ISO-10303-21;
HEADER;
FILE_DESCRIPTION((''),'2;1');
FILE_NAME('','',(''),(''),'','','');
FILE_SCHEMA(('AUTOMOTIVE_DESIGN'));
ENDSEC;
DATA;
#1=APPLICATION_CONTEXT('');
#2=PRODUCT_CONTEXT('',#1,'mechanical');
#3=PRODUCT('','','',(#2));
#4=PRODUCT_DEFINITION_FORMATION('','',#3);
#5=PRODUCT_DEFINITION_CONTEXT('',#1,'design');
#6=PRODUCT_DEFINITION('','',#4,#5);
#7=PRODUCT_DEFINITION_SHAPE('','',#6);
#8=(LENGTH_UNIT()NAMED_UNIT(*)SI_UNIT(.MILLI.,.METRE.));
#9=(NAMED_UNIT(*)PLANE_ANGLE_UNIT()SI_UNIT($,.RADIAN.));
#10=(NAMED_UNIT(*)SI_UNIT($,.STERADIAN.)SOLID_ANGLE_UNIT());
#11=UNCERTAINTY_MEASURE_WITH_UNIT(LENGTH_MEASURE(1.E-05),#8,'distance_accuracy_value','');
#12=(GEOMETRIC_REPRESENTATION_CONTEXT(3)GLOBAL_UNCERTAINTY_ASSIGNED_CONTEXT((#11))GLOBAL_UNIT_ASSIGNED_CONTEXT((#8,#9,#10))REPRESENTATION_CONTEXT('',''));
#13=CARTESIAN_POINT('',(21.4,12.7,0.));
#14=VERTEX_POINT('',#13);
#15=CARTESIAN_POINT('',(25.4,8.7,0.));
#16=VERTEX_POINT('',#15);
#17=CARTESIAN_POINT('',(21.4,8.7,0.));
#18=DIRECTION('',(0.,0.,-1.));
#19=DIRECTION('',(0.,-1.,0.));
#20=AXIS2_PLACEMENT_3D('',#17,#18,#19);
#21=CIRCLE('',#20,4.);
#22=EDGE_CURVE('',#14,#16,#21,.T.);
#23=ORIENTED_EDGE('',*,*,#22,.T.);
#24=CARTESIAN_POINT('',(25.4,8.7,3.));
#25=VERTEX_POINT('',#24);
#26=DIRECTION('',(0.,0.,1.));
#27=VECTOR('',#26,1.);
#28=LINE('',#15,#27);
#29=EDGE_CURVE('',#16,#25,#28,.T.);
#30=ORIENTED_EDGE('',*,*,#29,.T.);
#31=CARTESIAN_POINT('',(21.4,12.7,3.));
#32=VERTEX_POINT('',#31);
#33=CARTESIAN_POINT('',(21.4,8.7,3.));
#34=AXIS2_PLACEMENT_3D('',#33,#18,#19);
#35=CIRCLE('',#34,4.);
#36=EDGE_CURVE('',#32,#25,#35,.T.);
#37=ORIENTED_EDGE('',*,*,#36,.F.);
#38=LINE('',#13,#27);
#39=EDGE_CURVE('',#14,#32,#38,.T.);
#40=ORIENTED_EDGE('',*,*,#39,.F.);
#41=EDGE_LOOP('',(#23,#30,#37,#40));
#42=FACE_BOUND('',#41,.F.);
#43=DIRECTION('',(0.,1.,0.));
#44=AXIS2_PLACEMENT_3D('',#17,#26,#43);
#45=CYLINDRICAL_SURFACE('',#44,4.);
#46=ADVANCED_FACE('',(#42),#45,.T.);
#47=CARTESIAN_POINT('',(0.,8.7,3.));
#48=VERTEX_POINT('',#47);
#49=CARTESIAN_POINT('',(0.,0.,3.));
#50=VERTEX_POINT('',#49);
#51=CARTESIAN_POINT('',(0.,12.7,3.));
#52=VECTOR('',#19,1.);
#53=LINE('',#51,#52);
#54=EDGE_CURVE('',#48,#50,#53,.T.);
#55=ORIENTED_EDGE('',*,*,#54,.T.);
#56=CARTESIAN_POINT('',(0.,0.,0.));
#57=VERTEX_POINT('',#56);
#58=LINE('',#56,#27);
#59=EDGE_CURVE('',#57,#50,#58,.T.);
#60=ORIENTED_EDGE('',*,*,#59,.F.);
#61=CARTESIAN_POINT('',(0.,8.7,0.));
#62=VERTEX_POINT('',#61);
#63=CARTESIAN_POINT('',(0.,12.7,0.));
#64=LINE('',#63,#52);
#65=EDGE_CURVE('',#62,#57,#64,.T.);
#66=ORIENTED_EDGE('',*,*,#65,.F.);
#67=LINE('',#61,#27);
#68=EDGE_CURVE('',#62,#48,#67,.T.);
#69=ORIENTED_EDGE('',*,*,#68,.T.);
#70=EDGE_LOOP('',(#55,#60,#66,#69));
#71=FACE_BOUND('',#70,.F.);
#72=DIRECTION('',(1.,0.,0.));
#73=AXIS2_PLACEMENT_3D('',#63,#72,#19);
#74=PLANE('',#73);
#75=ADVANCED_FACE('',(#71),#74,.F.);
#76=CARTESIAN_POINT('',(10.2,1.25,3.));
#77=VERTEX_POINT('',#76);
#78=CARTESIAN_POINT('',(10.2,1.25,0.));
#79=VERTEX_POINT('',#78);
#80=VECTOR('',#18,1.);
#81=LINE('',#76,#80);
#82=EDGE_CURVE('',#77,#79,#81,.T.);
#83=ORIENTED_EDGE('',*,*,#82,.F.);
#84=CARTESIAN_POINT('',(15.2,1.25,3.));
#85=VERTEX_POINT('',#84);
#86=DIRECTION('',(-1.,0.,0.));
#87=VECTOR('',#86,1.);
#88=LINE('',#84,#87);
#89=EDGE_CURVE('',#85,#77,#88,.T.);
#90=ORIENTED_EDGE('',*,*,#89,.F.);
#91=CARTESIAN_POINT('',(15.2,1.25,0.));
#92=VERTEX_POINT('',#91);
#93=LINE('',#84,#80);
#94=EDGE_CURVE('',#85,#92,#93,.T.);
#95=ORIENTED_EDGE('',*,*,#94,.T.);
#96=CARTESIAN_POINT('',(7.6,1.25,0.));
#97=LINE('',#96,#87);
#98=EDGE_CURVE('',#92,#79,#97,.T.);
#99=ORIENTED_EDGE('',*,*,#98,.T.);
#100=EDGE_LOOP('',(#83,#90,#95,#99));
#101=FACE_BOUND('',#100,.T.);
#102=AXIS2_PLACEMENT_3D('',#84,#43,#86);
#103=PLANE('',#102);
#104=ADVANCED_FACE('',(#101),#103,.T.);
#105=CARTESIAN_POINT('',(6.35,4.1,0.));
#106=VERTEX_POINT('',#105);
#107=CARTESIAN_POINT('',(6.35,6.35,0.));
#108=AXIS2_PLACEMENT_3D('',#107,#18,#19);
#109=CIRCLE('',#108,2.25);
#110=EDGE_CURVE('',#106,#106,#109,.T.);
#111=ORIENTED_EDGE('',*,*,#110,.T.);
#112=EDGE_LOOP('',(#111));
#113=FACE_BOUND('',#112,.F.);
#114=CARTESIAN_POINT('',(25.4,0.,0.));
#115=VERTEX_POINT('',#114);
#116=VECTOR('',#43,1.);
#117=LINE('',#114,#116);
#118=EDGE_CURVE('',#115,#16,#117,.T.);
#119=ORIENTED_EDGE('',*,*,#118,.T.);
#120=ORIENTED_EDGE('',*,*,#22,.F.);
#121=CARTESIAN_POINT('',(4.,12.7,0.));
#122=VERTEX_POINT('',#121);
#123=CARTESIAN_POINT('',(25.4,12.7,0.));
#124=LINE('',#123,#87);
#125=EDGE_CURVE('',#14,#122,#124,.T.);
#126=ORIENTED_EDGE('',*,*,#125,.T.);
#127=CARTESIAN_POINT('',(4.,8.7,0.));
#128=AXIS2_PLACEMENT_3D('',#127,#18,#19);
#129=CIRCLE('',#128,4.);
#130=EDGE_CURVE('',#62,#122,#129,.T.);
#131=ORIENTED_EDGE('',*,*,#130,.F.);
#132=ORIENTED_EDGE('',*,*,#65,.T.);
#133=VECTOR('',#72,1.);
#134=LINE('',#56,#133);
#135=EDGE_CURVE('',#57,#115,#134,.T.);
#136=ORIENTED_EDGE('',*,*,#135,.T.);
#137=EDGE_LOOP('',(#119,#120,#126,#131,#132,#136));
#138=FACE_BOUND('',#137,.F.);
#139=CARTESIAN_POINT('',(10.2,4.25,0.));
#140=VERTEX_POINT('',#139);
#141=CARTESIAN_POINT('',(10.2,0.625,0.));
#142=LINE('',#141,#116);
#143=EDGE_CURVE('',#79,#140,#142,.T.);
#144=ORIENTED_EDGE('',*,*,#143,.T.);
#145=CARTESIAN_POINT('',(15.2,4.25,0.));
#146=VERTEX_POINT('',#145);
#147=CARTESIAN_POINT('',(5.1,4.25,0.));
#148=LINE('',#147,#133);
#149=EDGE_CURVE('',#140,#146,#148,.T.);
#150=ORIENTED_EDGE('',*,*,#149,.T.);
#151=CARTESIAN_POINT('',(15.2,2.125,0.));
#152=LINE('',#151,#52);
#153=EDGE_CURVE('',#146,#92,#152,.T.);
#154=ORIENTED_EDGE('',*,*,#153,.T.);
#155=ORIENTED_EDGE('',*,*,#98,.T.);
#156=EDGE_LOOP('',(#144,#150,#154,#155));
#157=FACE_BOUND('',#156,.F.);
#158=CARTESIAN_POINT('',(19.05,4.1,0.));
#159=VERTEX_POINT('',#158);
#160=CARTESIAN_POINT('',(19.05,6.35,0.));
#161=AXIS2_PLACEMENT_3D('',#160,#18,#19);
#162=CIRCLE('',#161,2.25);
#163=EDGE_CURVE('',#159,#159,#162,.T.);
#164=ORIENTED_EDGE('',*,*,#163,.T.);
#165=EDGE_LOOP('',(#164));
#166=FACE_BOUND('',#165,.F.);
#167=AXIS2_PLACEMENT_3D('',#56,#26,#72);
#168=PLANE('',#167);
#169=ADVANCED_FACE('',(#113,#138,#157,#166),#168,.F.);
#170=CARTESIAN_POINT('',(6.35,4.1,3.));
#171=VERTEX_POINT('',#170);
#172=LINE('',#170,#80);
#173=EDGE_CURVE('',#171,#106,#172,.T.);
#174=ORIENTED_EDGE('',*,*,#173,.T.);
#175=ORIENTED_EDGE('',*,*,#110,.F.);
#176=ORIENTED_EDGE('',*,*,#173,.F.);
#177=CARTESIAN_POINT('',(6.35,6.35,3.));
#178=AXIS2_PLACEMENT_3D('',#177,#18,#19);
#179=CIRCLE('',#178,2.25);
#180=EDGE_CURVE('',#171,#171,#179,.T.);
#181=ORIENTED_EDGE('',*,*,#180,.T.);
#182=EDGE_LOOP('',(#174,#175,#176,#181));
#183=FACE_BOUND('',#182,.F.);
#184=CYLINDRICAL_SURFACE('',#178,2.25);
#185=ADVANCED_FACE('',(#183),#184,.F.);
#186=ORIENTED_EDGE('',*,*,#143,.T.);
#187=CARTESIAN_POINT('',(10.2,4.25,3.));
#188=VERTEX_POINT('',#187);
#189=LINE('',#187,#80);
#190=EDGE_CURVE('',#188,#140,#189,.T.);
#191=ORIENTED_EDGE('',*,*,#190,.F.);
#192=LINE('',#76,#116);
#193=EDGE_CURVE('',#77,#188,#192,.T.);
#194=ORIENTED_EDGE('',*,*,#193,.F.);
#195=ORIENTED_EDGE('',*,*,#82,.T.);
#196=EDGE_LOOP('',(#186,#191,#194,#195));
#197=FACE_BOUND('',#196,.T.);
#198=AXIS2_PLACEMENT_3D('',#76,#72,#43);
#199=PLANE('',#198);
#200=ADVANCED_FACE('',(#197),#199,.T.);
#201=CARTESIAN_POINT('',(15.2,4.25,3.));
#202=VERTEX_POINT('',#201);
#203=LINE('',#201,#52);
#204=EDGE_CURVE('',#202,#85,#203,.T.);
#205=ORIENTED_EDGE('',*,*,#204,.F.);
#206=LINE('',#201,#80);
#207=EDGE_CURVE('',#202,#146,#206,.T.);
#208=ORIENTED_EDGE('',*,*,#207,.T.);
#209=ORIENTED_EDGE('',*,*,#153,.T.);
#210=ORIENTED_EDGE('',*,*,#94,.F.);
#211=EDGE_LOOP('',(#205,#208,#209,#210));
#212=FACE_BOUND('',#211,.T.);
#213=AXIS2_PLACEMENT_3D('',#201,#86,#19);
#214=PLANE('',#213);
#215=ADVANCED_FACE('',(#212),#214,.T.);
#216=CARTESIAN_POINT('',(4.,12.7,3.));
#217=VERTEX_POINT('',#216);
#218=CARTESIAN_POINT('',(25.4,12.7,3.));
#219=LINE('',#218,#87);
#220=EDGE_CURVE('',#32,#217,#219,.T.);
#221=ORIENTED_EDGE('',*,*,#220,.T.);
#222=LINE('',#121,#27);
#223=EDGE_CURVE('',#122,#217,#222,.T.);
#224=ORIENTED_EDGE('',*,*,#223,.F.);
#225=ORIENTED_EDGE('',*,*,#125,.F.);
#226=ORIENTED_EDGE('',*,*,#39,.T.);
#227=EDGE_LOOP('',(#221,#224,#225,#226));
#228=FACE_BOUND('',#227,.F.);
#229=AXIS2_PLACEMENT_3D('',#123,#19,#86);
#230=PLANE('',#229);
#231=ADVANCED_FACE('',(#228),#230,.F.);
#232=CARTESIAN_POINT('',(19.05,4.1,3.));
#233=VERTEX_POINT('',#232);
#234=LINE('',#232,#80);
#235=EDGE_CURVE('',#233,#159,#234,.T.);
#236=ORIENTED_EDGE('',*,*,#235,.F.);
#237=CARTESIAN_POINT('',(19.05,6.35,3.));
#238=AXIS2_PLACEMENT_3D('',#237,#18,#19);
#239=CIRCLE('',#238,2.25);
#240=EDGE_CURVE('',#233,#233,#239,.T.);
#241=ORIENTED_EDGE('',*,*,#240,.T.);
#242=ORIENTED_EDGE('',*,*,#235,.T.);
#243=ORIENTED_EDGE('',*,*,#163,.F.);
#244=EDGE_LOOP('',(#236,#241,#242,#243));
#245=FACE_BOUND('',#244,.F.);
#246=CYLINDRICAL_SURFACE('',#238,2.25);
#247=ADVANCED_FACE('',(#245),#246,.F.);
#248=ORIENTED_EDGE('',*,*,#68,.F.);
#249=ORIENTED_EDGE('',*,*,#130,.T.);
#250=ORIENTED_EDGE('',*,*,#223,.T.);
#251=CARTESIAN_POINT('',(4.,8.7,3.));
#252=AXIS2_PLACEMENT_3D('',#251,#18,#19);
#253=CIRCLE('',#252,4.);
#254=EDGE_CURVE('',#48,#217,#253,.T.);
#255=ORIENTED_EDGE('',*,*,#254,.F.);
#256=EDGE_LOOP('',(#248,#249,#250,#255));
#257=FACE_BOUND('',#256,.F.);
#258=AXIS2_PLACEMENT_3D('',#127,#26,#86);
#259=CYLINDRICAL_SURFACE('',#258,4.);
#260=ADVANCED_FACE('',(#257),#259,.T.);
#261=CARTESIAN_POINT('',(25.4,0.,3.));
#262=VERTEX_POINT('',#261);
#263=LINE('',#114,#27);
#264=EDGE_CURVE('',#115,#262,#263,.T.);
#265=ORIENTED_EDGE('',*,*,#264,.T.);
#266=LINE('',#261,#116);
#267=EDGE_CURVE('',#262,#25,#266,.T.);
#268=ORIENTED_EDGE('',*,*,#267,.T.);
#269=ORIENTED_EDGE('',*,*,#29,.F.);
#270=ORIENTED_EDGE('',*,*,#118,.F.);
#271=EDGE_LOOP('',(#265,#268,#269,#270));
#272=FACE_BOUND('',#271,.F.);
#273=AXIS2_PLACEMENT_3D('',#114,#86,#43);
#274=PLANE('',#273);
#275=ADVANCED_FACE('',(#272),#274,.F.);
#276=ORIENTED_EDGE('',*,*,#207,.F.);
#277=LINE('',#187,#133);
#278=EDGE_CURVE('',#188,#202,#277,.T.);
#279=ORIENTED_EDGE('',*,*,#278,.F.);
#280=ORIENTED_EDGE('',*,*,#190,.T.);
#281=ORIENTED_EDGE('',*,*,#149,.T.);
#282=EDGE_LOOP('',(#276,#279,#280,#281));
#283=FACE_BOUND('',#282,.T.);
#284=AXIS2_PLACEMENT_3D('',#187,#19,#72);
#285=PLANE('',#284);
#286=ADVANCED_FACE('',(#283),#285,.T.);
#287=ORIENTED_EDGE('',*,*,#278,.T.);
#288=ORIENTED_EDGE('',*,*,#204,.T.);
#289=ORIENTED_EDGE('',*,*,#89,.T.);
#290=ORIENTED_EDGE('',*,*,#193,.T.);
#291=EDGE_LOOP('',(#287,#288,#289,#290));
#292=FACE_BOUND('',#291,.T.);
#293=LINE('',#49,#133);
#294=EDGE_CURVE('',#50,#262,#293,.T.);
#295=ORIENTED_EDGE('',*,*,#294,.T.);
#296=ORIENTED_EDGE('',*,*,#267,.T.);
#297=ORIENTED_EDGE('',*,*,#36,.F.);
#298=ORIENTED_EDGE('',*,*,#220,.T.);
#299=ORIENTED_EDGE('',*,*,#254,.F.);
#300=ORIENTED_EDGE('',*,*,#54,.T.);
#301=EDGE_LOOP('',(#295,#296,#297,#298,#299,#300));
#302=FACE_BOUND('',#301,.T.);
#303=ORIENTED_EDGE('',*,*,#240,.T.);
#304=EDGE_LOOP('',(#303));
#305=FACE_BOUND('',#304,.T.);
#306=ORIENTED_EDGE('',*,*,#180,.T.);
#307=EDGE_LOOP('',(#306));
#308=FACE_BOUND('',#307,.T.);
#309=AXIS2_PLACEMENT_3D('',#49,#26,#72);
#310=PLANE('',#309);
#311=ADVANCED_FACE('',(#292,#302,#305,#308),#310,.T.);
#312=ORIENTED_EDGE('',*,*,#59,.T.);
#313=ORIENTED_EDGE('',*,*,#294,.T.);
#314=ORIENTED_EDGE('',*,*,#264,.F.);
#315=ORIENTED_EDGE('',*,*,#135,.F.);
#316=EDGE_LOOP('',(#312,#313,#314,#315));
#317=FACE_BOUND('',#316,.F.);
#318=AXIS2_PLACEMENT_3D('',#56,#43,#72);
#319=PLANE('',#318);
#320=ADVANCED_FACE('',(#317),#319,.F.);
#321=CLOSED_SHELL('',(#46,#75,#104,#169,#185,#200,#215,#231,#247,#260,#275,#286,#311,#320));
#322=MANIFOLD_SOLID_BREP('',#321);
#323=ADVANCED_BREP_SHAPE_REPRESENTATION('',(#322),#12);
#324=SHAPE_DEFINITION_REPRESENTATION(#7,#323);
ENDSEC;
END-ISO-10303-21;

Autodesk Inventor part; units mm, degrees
ref_plane "YZ Plane" through (0, 0, 0) normal (1, 0, 0) x (0, 1, 0)
ref_plane "XZ Plane" through (0, 0, 0) normal (0, 1, 0) x (-1, 0, 0)
ref_plane "XY Plane" through (0, 0, 0) normal (0, 0, 1) x (1, 0, 0)
sketch "Sketch1" plane through (0, 0, 0) normal (0, 0, 1) x (1, 0, 0)
  line L0 (0, 0) -> (25.4, 0)
  line L1 (25.4, 0) -> (25.4, 12.7)
  line L2 (25.4, 12.7) -> (0, 12.7)
  line L3 (0, 12.7) -> (0, 0)
  dimension "d0" = 25.4
  dimension "d1" = 12.7
extrude "Extrusion1" add sketch "Sketch1" along normal blind 3
fillet "Fillet1" radius 4 2 edges at (0, 12.7, 1.5) (25.4, 12.7, 1.5)
sketch "Sketch2" plane through (0, 0, 3) normal (0, 0, 1) x (1, 0, 0)
  line L0 (21.4, 12.7) -> (4, 12.7) projected
  line L1 (0, 8.7) -> (0, 0) projected
  line L2 (25.4, 0) -> (25.4, 8.7) projected
  line L3 (10.2, 4.25) -> (15.2, 4.25)
  line L4 (15.2, 4.25) -> (15.2, 1.25)
  line L5 (15.2, 1.25) -> (10.2, 1.25)
  line L6 (10.2, 1.25) -> (10.2, 4.25)
  line L7 (0, 0) -> (25.4, 0) projected
  point P0 (12.7, 12.7)
  point P1 (12.7, 4.25)
  point P2 (12.7, 0)
  point P3 (12.7, 1.25)
  point P4 (6.35, 6.35)
  point P5 (19.05, 6.35)
  dimension "d10" = 5
  dimension "d11" = 3
  dimension "d12" = 1.25
  dimension "d15" = 6.35
  dimension "d16" = 6.35
  dimension "d17" = 6.35
extrude "Extrusion2" cut sketch "Sketch2" against normal through all
hole "Hole1" at (19.05, 6.35, 3) at (6.35, 6.35, 3) direction (0, 0, -1) diameter 4.5 end through all clearance for "Flat Head Machine Screw" size "M4" standard "Ansi Metric M Profile"
properties part number "Moving Ramp Holder Base"
